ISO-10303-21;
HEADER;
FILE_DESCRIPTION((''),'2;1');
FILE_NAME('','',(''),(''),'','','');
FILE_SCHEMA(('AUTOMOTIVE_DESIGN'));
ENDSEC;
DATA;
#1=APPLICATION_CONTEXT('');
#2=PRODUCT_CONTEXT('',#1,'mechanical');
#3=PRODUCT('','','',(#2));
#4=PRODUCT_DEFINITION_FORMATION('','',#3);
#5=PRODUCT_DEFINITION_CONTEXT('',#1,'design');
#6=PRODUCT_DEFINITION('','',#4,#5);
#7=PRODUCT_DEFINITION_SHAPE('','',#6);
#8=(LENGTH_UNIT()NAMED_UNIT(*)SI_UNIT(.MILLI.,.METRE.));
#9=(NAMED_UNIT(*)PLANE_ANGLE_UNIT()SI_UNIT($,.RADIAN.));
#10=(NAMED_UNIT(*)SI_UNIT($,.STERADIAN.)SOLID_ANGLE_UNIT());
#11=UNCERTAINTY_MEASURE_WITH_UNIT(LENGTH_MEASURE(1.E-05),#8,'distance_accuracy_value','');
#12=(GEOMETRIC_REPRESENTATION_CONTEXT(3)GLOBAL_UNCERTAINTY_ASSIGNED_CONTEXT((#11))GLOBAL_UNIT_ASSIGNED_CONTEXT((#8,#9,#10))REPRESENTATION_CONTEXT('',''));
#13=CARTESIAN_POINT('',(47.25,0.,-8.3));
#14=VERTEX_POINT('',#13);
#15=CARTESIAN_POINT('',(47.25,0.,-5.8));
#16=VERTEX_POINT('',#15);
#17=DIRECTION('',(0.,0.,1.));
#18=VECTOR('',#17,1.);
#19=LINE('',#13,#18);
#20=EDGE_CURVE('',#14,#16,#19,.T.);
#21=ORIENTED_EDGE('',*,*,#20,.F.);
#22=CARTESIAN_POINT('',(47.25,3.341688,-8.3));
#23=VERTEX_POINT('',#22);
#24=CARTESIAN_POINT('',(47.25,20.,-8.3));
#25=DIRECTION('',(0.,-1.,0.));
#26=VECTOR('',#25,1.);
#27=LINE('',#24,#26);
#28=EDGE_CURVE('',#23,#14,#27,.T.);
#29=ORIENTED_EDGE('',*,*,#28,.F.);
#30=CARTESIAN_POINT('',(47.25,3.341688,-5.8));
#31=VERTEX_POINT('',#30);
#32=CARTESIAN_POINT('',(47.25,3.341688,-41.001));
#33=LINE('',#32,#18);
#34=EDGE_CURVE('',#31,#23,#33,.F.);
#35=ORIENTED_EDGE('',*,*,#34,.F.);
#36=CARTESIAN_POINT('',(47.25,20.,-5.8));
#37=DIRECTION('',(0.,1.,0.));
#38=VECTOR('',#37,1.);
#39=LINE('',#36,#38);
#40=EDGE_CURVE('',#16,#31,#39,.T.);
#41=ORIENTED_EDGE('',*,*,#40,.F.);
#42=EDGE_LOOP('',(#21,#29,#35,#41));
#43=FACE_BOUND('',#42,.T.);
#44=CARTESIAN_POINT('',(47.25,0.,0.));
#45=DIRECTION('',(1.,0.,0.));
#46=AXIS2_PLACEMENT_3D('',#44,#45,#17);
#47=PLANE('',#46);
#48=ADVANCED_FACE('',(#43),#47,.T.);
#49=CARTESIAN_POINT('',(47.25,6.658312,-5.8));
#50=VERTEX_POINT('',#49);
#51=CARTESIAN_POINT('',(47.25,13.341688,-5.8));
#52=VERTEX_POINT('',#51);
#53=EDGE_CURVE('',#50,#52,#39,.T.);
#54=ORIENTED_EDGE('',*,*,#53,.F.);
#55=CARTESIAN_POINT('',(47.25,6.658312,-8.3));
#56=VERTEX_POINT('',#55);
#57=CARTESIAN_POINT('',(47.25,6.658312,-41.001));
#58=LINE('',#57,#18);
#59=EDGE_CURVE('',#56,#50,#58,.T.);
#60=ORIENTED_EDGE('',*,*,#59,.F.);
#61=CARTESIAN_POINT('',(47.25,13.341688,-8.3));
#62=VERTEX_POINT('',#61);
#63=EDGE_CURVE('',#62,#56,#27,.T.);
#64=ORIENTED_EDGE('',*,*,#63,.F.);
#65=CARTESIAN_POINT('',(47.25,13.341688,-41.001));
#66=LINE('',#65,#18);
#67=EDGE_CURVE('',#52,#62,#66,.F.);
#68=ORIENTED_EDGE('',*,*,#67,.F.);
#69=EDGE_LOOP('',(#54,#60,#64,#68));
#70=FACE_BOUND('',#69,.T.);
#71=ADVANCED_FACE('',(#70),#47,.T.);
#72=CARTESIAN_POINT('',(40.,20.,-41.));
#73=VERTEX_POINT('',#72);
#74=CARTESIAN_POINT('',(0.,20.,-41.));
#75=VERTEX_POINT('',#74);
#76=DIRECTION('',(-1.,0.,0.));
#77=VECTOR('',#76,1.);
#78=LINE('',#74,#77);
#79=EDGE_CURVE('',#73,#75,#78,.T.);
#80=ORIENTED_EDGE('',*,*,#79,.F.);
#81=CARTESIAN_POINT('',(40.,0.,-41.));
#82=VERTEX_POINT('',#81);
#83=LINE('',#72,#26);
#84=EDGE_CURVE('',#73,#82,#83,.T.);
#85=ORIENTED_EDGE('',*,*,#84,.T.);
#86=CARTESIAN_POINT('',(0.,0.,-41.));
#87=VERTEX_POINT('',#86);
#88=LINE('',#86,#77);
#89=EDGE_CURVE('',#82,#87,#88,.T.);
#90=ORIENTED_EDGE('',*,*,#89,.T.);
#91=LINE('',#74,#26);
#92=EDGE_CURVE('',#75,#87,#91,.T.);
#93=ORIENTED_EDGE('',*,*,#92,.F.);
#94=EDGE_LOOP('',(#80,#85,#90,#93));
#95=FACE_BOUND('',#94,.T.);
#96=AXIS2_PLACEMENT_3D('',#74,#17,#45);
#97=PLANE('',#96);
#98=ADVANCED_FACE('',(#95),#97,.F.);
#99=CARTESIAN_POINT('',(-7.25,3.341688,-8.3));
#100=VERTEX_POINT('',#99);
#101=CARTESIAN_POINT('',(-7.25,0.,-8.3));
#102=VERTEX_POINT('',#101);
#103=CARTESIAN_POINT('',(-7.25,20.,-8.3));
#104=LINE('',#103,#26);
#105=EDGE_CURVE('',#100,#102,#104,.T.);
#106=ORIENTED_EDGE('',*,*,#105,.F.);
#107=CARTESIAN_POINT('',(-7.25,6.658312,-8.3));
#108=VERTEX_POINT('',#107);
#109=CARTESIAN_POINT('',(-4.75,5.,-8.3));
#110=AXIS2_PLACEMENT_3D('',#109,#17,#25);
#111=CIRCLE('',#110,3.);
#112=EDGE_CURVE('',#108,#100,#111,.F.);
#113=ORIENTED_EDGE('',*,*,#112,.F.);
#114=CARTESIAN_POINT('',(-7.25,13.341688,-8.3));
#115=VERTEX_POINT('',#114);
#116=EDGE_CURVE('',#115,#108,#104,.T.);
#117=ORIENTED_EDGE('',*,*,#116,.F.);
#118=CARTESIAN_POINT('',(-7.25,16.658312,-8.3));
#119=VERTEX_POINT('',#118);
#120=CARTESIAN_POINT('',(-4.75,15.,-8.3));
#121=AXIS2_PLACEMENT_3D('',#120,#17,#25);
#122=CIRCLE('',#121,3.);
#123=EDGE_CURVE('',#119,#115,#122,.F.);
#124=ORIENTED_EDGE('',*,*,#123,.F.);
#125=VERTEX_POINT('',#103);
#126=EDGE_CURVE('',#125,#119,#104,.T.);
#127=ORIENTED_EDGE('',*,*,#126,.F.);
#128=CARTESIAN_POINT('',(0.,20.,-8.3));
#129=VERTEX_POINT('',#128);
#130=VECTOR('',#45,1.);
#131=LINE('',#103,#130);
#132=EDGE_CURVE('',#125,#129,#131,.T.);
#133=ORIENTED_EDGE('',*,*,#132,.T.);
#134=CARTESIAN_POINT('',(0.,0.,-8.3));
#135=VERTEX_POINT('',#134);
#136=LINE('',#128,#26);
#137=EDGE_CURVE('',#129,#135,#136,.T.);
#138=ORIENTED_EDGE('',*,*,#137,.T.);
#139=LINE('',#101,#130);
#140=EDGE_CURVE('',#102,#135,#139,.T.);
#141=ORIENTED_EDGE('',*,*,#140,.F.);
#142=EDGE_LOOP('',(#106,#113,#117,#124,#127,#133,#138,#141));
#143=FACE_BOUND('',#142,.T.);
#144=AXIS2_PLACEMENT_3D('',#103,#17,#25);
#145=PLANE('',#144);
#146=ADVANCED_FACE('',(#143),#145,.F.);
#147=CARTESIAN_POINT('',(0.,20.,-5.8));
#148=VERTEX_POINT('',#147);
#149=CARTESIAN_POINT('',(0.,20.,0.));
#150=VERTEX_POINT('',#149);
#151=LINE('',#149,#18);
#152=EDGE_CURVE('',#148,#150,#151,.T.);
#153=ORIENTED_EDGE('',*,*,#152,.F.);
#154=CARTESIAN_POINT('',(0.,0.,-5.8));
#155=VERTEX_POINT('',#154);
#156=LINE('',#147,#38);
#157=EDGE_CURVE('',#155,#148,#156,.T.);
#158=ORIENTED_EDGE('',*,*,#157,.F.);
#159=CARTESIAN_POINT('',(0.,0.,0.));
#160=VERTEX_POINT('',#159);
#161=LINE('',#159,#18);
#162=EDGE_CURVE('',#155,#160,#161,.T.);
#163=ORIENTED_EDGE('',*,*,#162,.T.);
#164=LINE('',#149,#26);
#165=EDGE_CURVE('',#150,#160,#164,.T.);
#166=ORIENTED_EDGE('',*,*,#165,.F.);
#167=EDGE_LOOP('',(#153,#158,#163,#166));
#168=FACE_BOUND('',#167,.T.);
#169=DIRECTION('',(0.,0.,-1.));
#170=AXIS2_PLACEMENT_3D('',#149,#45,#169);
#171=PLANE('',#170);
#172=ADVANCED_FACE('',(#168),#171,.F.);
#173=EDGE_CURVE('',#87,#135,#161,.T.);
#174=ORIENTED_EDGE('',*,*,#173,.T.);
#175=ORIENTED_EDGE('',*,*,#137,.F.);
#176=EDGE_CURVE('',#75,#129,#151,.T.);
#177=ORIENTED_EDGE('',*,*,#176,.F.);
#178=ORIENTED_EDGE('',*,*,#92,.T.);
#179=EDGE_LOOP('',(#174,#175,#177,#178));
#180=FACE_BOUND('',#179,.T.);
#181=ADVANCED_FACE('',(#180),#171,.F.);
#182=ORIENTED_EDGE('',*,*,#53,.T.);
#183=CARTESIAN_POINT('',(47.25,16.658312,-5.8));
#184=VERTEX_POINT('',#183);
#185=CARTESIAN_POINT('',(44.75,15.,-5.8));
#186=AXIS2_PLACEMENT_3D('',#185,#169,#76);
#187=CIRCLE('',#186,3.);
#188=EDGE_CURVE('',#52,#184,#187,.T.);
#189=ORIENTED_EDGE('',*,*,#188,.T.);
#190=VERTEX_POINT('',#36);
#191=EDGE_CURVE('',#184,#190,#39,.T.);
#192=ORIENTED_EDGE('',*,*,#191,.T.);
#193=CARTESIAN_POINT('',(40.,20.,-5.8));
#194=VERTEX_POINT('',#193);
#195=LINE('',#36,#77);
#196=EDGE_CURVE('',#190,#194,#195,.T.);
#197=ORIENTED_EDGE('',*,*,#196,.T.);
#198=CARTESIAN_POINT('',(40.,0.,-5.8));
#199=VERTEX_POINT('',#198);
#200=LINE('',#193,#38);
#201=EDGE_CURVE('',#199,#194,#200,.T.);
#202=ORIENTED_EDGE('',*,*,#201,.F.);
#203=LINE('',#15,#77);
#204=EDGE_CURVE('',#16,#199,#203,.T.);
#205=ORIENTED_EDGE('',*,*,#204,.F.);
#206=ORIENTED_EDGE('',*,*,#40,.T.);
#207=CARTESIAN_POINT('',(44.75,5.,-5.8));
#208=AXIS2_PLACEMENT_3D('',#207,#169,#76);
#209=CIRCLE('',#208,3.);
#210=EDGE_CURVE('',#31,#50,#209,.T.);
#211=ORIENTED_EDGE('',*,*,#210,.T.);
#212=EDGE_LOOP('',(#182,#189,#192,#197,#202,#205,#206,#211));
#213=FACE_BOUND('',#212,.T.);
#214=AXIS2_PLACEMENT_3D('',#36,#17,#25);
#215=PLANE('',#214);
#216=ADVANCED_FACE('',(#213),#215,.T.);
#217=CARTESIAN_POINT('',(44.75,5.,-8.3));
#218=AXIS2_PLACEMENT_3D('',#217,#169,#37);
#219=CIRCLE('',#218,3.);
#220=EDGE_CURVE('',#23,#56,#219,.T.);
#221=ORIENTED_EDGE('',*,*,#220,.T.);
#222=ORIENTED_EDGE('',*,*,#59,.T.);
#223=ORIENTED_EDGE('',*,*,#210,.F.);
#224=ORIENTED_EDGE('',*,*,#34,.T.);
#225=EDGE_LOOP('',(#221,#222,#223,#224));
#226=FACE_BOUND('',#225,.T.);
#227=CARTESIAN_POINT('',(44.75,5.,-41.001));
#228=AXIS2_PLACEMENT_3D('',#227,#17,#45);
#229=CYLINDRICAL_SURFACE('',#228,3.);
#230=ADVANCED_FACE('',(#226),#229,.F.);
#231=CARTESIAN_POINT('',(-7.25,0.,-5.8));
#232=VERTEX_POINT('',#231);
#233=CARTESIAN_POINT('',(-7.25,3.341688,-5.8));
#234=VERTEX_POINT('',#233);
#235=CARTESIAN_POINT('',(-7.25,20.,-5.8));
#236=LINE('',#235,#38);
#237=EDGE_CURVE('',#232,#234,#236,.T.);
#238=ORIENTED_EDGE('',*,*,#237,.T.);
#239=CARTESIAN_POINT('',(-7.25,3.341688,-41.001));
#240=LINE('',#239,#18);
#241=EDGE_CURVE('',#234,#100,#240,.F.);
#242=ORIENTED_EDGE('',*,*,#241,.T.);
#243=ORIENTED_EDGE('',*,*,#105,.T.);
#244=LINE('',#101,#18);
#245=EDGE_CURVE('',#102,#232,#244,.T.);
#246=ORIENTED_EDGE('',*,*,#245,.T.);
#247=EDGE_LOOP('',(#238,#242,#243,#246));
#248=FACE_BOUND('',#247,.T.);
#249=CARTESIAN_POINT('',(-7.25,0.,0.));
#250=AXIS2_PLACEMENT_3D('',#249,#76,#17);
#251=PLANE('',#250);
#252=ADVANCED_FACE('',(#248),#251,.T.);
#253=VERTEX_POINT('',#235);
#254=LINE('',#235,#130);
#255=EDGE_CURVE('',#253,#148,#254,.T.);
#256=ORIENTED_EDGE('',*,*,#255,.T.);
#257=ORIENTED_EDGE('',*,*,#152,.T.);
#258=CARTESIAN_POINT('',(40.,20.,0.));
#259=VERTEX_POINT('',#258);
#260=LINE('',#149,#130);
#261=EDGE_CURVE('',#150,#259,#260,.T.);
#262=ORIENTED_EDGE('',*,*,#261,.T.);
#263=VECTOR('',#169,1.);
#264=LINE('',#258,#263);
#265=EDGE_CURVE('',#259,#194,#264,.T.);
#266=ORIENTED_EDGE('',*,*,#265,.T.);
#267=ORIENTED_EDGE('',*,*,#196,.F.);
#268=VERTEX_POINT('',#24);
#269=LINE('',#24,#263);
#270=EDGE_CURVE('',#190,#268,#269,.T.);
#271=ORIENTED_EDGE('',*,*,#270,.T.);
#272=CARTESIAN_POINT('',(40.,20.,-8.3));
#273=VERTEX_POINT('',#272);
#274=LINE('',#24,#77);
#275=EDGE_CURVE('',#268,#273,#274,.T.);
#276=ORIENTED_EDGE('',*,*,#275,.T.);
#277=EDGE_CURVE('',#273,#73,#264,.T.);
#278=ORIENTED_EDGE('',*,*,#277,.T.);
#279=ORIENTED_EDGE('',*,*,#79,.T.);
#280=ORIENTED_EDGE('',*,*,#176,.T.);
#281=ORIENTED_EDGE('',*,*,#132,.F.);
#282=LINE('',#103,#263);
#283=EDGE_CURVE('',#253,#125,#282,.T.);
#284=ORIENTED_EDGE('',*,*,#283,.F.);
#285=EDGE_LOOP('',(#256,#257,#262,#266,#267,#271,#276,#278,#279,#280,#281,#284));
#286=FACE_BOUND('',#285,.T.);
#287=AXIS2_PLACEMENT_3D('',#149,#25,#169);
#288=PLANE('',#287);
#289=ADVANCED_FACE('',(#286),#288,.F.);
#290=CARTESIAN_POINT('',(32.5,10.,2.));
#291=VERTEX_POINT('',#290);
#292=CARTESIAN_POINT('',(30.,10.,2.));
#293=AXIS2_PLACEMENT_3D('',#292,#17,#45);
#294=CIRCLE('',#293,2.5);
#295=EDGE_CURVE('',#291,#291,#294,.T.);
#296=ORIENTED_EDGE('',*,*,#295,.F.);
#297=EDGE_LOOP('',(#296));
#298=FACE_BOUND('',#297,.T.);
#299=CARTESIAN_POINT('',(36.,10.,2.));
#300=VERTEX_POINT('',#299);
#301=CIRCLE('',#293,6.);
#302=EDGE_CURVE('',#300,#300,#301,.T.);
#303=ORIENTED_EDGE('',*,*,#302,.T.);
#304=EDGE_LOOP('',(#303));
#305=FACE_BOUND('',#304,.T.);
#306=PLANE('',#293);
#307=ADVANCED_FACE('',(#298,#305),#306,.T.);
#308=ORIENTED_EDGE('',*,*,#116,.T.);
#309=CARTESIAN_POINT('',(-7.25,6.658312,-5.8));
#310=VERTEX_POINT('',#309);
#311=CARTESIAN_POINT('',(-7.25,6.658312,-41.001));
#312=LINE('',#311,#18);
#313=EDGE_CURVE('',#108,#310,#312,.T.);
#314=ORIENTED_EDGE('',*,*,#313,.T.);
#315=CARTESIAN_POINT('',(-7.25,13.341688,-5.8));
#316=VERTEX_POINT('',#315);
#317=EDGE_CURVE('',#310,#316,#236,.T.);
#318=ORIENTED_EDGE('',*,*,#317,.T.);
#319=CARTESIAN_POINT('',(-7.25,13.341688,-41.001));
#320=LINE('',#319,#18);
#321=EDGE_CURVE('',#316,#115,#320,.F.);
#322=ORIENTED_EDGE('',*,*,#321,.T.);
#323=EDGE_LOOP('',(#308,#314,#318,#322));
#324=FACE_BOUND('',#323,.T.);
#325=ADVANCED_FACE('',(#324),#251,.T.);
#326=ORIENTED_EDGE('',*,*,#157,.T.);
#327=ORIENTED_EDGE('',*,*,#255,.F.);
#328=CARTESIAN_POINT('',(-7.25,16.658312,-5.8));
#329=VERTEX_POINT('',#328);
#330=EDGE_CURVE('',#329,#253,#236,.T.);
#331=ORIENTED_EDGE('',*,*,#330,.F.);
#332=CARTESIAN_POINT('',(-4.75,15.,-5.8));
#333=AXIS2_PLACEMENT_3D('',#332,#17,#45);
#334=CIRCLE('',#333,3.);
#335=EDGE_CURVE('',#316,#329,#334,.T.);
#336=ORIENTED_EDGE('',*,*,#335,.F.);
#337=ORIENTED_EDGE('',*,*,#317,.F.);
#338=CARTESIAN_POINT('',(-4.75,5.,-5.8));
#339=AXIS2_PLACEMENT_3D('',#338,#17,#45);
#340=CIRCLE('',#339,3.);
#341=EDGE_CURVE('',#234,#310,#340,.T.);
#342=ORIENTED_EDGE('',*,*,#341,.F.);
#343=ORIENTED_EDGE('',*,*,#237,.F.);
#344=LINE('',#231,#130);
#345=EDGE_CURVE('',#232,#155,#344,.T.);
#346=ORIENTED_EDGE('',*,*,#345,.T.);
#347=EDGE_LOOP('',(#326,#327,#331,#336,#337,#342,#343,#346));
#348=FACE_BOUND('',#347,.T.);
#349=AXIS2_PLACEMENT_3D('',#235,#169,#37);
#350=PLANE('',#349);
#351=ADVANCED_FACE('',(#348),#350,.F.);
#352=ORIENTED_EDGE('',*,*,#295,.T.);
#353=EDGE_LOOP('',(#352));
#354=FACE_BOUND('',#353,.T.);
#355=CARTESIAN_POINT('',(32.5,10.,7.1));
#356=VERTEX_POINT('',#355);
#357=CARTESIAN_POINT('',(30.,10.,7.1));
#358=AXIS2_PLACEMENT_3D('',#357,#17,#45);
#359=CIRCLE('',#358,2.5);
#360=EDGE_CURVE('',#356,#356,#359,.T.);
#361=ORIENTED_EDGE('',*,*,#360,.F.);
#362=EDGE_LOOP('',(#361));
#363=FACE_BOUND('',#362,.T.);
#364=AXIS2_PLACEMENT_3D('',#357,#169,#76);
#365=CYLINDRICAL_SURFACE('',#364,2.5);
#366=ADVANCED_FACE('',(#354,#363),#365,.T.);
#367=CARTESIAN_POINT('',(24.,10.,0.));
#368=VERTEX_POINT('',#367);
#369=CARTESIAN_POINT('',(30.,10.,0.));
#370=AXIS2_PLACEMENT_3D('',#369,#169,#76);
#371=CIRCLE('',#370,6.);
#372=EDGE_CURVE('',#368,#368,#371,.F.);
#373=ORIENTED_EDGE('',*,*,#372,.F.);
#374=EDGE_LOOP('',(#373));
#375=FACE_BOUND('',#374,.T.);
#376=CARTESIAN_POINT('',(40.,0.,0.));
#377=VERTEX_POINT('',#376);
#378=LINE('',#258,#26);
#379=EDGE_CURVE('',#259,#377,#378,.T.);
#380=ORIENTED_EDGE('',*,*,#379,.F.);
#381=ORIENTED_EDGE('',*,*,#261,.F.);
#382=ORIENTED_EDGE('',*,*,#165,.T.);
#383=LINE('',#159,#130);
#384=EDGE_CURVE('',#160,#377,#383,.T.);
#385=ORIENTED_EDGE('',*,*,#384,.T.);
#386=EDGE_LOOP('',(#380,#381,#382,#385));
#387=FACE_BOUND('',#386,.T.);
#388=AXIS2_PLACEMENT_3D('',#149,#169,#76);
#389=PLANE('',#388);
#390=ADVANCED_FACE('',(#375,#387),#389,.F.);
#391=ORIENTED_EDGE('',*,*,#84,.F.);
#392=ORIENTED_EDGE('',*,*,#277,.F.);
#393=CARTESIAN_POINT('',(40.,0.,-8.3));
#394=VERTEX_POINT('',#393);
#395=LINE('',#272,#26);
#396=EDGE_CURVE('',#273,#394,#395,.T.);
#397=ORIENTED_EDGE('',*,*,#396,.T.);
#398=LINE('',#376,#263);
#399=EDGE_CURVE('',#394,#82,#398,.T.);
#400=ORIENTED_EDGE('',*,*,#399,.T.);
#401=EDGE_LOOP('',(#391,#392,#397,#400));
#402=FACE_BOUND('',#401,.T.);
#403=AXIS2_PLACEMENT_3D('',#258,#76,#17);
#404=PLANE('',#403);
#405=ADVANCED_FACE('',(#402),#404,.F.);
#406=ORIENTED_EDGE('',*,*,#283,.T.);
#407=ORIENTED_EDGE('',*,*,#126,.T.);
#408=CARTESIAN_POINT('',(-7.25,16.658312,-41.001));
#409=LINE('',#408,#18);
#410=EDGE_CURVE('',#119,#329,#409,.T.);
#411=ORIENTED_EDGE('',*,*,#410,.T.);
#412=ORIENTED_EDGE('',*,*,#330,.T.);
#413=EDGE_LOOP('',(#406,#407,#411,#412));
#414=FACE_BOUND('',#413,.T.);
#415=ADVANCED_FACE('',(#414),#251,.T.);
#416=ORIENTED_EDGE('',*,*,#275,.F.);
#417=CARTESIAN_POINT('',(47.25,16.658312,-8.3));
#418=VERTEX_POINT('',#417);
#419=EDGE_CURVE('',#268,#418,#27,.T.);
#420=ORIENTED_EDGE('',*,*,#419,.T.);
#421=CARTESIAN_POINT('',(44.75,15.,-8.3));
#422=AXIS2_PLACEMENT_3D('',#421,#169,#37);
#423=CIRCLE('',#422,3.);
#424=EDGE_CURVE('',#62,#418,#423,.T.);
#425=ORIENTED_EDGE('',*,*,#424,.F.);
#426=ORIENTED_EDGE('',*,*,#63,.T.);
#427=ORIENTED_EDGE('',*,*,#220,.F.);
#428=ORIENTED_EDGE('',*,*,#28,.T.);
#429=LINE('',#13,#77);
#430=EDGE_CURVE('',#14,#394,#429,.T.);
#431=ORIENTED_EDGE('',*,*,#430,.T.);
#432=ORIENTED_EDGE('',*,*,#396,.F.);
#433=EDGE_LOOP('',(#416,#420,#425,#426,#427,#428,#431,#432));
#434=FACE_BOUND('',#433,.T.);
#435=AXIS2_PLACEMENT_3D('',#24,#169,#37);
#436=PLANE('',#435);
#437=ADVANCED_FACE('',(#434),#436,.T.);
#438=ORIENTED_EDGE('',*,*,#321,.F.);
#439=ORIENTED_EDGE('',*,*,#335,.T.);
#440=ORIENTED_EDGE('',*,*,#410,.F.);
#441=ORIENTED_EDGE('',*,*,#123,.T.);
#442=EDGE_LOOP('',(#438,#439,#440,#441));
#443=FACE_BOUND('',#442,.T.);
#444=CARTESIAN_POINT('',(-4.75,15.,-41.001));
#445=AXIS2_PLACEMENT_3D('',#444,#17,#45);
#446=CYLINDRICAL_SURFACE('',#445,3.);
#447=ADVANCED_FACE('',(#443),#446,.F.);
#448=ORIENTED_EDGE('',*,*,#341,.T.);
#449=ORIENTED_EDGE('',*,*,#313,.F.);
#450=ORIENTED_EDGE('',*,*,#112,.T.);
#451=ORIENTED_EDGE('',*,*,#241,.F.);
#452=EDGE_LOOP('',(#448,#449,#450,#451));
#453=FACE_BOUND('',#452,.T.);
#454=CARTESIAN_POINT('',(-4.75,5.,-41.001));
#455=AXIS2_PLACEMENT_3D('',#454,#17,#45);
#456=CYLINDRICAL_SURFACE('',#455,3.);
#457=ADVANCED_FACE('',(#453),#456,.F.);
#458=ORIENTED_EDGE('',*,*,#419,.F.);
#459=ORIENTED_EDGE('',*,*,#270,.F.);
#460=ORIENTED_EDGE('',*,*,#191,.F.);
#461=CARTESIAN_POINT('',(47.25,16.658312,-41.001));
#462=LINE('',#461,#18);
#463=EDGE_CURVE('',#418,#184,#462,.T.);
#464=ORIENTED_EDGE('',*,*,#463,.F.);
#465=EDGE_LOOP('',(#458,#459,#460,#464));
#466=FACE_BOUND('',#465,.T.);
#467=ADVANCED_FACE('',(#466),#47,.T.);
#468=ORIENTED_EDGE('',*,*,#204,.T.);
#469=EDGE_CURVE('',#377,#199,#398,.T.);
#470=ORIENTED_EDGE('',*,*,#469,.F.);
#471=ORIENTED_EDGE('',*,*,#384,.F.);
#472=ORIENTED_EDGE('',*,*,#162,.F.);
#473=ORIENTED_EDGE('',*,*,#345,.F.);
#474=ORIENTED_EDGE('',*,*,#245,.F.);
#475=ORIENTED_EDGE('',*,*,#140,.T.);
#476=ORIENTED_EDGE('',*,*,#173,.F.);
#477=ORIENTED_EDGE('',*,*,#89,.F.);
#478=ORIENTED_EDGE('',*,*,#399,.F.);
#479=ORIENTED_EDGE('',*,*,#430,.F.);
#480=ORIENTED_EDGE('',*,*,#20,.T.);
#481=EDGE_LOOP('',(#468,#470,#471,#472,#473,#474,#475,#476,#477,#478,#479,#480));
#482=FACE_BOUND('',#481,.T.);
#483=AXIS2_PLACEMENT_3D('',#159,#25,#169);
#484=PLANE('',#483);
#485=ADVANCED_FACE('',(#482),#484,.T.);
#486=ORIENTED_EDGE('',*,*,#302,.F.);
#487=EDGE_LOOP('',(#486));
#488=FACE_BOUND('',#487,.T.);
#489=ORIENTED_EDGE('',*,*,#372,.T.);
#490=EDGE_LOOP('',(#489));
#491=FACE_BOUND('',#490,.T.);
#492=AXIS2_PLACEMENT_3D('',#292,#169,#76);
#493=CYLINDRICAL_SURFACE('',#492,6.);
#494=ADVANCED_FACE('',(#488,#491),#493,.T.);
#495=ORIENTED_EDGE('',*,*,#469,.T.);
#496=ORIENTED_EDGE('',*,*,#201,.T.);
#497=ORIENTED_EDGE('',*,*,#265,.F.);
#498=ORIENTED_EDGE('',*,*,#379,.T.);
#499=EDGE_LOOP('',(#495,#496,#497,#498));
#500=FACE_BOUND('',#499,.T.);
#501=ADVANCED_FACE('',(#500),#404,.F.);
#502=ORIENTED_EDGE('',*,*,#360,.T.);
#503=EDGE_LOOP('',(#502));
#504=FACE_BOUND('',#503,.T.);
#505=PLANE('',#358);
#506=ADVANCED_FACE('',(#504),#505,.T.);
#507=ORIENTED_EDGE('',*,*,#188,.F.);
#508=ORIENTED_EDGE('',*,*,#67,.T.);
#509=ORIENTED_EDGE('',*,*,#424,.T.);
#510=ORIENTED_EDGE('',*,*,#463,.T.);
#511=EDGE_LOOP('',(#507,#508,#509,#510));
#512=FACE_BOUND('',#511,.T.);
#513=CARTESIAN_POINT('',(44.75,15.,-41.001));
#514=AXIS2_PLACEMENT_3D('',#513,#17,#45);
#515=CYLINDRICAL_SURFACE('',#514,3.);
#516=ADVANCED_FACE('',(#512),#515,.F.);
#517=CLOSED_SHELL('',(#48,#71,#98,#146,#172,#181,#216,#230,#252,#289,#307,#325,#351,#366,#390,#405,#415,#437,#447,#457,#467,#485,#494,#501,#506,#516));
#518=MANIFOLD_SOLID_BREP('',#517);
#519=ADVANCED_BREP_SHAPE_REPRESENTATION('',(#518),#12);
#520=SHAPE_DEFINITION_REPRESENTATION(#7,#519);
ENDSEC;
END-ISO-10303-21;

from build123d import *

# Parameters (mm, degrees)
SKETCH_1_W          = 40
SKETCH_1_H          = 41
EXTRUDE_1_DEPTH     = 20
SKETCH_2_R          = 6
EXTRUDE_2_DEPTH     = 2
SKETCH_3_R          = 2.5
EXTRUDE_3_DEPTH     = 5.1
SKETCH_4_W          = 2.5
SKETCH_4_H          = 20
EXTRUDE_4_DEPTH     = 7.25
SKETCH_5_R          = 3
CUT_EXTRUDE_2_DEPTH = 2.5


with BuildPart() as part:
    # 草图1 → 凸台-拉伸1 (new body)
    with BuildSketch(Plane(origin=(0, 0, 0), x_dir=(1, 0, 0), z_dir=(0, 1, 0))):
        with Locations((20, 20.5)):
            Rectangle(SKETCH_1_W, SKETCH_1_H)
    extrude(amount=EXTRUDE_1_DEPTH)

    # 草图2 → 凸台-拉伸2 (add)
    with BuildSketch(Plane.XY):
        with Locations((30, 10)):
            Circle(SKETCH_2_R)
    extrude(amount=EXTRUDE_2_DEPTH)

    # 草图3 → 凸台-拉伸3 (add)
    with BuildSketch(Plane.XY.offset(2)):
        with Locations((30, 10)):
            Circle(SKETCH_3_R)
    extrude(amount=EXTRUDE_3_DEPTH)

    # 草图4 → 凸台-拉伸4 (add)
    with BuildSketch(Plane.ZY):
        with Locations((-7.05, 10)):
            Rectangle(SKETCH_4_W, SKETCH_4_H)
    extrude_4 = extrude(amount=EXTRUDE_4_DEPTH)

    # 草图5 → 切除-拉伸2 (cut)
    with BuildSketch(Plane.XY.offset(-5.8)):
        with Locations((-4.75, 15)):
            Circle(SKETCH_5_R)
        with Locations((-4.75, 5)):
            Circle(SKETCH_5_R)
    cut_extrude_2 = extrude(amount=-CUT_EXTRUDE_2_DEPTH, mode=Mode.SUBTRACT)

    # 镜向1: 凸台-拉伸4, 切除-拉伸2 across plane
    add(extrude_4.mirror(Plane.ZY.offset(-20)))
    add(cut_extrude_2.mirror(Plane.ZY.offset(-20)), mode=Mode.SUBTRACT)


solid = part.part
